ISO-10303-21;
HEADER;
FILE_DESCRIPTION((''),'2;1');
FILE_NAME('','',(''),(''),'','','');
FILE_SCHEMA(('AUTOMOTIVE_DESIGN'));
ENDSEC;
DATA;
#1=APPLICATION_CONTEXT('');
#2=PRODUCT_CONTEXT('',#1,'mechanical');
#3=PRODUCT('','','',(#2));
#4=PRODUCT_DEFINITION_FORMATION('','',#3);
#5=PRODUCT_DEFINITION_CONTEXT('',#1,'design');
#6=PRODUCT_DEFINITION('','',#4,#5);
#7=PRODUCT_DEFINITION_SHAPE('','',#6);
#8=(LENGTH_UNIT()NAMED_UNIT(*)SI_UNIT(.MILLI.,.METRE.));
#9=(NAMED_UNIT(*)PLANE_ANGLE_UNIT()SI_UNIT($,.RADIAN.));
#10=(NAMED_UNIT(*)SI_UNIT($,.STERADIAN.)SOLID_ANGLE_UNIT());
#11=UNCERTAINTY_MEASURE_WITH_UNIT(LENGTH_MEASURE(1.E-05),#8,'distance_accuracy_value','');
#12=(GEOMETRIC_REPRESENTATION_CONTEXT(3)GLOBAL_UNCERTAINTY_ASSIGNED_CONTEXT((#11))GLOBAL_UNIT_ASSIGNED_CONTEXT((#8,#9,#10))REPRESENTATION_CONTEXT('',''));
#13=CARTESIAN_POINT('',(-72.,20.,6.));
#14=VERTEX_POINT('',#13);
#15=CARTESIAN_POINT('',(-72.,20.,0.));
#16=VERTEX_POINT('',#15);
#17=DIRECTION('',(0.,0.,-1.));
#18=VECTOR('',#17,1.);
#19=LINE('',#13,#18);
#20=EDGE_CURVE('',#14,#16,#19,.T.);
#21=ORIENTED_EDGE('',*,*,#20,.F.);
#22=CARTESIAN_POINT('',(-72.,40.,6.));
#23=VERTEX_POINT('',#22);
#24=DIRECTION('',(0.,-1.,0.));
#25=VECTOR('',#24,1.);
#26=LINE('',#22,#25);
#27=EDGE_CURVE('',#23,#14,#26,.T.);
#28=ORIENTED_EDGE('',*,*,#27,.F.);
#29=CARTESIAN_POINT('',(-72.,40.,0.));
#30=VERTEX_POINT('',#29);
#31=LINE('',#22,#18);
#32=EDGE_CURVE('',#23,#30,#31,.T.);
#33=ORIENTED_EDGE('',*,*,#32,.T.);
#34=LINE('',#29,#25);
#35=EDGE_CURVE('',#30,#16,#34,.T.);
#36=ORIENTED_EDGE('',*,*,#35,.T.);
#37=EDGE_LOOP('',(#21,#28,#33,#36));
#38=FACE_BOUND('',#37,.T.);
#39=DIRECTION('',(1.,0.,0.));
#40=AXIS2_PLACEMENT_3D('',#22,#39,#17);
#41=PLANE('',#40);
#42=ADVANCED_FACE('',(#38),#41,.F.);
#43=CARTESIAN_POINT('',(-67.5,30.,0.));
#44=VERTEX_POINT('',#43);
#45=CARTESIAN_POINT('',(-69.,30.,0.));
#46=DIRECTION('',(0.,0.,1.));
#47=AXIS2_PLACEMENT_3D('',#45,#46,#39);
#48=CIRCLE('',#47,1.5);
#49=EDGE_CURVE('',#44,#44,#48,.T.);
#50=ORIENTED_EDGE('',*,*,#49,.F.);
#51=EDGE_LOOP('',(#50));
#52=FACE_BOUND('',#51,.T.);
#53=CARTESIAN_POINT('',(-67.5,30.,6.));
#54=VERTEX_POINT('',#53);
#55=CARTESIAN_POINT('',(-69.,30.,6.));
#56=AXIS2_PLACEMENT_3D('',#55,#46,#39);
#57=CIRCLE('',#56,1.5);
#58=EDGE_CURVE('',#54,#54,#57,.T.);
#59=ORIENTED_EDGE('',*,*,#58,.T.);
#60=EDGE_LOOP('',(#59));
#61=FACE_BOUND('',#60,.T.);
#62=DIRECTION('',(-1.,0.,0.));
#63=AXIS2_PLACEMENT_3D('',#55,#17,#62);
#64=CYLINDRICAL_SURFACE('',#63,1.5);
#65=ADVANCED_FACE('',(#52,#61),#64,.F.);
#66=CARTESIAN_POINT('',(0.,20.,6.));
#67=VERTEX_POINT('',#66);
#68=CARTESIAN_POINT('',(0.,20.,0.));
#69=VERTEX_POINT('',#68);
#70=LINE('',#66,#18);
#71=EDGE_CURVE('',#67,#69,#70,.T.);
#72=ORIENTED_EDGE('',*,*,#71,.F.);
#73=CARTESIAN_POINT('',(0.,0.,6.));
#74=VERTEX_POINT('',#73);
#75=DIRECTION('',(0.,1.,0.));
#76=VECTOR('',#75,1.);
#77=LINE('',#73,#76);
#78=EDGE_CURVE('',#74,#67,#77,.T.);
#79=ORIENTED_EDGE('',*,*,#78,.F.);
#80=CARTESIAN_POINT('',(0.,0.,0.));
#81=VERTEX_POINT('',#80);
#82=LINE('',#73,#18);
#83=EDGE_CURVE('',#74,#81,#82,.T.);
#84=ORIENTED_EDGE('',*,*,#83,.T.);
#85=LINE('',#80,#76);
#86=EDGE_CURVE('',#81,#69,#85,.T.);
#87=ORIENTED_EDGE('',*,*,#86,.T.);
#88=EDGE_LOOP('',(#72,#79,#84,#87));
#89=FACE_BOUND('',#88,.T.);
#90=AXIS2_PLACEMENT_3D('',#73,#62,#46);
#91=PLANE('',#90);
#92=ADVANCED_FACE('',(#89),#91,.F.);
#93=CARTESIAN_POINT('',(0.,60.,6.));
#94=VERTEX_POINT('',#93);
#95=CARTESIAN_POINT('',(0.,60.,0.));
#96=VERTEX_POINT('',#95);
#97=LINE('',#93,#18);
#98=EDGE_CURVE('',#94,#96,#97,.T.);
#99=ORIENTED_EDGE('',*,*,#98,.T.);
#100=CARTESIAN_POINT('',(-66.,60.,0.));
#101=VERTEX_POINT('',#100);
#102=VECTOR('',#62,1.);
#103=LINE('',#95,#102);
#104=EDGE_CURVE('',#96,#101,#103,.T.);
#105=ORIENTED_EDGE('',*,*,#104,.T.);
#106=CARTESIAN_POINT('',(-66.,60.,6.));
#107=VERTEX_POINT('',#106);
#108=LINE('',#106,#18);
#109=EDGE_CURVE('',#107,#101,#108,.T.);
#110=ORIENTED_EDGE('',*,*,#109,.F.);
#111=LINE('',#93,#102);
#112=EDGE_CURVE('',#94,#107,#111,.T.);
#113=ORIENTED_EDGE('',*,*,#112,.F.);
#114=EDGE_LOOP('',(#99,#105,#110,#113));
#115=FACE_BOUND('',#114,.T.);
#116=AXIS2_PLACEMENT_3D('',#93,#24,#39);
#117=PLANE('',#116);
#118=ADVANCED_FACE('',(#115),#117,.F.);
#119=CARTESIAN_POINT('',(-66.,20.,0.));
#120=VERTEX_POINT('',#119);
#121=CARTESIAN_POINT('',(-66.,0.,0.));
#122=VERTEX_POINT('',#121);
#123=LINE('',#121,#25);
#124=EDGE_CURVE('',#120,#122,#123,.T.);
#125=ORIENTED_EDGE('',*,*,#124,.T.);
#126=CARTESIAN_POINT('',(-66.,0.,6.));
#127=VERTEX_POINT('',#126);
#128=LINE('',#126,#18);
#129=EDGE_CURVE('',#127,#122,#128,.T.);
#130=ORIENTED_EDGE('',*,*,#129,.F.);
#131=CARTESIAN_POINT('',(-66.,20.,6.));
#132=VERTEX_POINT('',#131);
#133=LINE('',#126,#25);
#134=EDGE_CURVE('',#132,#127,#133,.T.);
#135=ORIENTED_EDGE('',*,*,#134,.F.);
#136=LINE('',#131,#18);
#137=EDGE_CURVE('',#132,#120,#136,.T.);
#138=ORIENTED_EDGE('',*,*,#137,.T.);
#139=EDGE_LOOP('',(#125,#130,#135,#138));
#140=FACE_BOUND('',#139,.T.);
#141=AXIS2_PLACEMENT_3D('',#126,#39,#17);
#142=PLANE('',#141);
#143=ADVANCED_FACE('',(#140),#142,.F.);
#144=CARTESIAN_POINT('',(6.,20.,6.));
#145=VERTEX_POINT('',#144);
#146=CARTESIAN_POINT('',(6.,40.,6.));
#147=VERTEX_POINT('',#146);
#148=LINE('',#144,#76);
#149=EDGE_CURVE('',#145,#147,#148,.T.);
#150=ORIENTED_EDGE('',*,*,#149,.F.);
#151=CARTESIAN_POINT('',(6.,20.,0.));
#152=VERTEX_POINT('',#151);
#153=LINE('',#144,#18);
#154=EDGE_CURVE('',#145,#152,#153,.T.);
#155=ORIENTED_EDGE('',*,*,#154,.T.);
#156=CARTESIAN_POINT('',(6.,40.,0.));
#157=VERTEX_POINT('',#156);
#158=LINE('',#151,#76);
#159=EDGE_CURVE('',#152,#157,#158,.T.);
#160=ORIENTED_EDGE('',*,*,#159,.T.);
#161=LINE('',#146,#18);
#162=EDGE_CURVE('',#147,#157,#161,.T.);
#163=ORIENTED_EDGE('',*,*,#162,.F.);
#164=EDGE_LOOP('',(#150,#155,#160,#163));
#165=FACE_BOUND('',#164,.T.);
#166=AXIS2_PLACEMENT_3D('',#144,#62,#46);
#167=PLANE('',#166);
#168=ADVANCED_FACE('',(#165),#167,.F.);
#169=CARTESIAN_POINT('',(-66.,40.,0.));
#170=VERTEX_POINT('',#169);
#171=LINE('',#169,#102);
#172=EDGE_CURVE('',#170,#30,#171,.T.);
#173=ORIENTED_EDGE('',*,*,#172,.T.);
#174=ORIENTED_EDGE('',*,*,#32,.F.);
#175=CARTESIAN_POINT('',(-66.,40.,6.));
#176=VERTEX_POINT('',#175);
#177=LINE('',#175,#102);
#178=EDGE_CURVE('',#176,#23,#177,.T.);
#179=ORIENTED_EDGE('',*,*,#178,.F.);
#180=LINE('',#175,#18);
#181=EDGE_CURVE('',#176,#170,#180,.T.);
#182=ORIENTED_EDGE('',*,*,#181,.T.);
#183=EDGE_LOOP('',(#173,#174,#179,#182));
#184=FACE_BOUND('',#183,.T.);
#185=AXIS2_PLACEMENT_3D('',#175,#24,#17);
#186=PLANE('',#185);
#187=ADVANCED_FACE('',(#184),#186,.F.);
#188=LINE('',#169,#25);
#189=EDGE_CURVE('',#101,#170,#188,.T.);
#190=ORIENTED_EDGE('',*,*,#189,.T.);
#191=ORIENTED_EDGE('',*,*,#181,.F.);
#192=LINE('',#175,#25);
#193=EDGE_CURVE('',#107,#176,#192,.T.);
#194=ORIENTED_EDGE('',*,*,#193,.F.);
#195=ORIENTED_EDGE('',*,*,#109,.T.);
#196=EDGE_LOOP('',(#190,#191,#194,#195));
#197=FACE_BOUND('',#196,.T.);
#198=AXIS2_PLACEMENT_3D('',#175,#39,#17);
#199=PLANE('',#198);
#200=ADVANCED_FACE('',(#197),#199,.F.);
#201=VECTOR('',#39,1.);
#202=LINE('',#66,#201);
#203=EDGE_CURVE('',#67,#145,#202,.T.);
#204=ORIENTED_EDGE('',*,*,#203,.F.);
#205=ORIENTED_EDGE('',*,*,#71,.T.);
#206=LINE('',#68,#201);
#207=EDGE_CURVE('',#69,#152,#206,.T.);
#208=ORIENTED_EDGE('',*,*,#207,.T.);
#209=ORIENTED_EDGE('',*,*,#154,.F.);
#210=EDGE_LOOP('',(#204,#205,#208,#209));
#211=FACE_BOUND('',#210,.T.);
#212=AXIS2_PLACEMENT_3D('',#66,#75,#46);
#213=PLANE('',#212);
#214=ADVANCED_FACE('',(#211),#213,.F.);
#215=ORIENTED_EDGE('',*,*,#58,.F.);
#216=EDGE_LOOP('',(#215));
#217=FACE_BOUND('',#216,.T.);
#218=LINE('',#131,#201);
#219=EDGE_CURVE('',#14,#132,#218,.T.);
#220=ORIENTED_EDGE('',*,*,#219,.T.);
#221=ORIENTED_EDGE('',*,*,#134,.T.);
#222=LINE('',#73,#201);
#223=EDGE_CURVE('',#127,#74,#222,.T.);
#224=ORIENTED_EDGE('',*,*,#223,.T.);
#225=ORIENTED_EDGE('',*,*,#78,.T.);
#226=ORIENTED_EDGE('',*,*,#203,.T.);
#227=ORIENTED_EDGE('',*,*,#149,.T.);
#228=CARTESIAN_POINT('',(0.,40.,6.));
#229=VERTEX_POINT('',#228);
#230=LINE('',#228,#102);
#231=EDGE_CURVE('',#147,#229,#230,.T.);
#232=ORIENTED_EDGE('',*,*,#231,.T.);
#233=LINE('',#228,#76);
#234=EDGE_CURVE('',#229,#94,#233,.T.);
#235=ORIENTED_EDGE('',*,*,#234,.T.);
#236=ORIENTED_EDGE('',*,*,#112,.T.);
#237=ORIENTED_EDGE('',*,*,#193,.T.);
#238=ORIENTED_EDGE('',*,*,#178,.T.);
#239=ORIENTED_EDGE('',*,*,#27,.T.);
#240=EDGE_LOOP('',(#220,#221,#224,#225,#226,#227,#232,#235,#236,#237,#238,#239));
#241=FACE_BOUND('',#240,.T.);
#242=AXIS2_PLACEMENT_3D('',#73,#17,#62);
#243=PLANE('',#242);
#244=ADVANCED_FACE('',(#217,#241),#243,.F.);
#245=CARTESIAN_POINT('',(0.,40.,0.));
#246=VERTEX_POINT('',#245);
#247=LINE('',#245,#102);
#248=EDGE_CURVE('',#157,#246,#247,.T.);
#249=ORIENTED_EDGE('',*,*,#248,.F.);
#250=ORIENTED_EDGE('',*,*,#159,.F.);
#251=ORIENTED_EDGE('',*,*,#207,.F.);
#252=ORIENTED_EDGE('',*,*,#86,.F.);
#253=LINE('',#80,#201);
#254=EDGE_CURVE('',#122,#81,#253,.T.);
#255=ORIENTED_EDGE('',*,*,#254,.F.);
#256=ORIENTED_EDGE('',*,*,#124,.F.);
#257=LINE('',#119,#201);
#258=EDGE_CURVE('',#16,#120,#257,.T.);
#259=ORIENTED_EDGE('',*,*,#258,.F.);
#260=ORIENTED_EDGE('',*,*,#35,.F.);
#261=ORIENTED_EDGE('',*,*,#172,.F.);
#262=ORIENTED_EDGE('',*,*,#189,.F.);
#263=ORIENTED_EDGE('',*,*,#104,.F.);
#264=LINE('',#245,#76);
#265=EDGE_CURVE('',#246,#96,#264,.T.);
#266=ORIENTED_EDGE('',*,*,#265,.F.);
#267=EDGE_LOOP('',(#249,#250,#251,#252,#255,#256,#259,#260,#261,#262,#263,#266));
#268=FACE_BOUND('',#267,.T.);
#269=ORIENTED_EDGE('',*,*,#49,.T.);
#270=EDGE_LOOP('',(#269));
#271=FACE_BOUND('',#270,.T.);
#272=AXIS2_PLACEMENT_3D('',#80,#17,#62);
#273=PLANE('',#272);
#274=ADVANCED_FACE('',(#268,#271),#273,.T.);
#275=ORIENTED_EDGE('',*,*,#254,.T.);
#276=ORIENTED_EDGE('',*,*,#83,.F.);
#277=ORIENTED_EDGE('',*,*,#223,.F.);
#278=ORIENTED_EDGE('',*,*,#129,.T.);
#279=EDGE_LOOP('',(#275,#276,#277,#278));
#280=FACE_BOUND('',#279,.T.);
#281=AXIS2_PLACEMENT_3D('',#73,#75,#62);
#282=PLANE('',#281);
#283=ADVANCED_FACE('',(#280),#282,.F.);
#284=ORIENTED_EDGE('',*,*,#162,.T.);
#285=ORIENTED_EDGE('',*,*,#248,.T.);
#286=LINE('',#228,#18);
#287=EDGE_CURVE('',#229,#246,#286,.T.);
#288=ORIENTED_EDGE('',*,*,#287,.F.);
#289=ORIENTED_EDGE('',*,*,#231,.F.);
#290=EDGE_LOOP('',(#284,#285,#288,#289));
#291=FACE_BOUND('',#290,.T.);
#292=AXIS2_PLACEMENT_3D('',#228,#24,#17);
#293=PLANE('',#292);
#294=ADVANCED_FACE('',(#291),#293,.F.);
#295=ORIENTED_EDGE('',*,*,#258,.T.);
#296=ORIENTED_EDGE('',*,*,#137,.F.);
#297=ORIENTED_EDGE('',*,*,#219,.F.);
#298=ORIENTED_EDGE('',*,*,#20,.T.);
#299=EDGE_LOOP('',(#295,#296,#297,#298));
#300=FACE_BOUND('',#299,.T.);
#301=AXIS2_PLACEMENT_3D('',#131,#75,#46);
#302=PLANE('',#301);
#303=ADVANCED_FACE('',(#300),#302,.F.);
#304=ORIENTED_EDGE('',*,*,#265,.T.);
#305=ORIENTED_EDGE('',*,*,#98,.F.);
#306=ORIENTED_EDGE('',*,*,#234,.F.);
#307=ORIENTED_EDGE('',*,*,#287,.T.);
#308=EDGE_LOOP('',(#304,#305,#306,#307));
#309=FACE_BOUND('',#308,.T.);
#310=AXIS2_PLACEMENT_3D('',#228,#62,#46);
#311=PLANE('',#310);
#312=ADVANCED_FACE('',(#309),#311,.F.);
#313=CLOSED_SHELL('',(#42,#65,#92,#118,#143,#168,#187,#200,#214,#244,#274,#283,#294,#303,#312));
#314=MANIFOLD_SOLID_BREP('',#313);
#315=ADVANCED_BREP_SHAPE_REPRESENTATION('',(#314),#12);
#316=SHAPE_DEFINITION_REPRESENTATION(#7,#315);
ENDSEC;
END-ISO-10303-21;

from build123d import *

# Parameters (mm, degrees)
ESQUISSE1_R        = 1.5
BOSS_EXTRU_1_DEPTH = 6


with BuildPart() as part:
    # Esquisse1 → Boss.-Extru.1 (new body)
    with BuildSketch(Plane.XY):
        Polygon((0, 0), (-66, 0), (-66, 20), (-72, 20), (-72, 40), (-66, 40), (-66, 60), (0, 60), (0, 40), (6, 40), (6, 20), (0, 20), align=None)
        with Locations((-69, 30)):
            Circle(ESQUISSE1_R, mode=Mode.SUBTRACT)
    extrude(amount=BOSS_EXTRU_1_DEPTH)


solid = part.part
